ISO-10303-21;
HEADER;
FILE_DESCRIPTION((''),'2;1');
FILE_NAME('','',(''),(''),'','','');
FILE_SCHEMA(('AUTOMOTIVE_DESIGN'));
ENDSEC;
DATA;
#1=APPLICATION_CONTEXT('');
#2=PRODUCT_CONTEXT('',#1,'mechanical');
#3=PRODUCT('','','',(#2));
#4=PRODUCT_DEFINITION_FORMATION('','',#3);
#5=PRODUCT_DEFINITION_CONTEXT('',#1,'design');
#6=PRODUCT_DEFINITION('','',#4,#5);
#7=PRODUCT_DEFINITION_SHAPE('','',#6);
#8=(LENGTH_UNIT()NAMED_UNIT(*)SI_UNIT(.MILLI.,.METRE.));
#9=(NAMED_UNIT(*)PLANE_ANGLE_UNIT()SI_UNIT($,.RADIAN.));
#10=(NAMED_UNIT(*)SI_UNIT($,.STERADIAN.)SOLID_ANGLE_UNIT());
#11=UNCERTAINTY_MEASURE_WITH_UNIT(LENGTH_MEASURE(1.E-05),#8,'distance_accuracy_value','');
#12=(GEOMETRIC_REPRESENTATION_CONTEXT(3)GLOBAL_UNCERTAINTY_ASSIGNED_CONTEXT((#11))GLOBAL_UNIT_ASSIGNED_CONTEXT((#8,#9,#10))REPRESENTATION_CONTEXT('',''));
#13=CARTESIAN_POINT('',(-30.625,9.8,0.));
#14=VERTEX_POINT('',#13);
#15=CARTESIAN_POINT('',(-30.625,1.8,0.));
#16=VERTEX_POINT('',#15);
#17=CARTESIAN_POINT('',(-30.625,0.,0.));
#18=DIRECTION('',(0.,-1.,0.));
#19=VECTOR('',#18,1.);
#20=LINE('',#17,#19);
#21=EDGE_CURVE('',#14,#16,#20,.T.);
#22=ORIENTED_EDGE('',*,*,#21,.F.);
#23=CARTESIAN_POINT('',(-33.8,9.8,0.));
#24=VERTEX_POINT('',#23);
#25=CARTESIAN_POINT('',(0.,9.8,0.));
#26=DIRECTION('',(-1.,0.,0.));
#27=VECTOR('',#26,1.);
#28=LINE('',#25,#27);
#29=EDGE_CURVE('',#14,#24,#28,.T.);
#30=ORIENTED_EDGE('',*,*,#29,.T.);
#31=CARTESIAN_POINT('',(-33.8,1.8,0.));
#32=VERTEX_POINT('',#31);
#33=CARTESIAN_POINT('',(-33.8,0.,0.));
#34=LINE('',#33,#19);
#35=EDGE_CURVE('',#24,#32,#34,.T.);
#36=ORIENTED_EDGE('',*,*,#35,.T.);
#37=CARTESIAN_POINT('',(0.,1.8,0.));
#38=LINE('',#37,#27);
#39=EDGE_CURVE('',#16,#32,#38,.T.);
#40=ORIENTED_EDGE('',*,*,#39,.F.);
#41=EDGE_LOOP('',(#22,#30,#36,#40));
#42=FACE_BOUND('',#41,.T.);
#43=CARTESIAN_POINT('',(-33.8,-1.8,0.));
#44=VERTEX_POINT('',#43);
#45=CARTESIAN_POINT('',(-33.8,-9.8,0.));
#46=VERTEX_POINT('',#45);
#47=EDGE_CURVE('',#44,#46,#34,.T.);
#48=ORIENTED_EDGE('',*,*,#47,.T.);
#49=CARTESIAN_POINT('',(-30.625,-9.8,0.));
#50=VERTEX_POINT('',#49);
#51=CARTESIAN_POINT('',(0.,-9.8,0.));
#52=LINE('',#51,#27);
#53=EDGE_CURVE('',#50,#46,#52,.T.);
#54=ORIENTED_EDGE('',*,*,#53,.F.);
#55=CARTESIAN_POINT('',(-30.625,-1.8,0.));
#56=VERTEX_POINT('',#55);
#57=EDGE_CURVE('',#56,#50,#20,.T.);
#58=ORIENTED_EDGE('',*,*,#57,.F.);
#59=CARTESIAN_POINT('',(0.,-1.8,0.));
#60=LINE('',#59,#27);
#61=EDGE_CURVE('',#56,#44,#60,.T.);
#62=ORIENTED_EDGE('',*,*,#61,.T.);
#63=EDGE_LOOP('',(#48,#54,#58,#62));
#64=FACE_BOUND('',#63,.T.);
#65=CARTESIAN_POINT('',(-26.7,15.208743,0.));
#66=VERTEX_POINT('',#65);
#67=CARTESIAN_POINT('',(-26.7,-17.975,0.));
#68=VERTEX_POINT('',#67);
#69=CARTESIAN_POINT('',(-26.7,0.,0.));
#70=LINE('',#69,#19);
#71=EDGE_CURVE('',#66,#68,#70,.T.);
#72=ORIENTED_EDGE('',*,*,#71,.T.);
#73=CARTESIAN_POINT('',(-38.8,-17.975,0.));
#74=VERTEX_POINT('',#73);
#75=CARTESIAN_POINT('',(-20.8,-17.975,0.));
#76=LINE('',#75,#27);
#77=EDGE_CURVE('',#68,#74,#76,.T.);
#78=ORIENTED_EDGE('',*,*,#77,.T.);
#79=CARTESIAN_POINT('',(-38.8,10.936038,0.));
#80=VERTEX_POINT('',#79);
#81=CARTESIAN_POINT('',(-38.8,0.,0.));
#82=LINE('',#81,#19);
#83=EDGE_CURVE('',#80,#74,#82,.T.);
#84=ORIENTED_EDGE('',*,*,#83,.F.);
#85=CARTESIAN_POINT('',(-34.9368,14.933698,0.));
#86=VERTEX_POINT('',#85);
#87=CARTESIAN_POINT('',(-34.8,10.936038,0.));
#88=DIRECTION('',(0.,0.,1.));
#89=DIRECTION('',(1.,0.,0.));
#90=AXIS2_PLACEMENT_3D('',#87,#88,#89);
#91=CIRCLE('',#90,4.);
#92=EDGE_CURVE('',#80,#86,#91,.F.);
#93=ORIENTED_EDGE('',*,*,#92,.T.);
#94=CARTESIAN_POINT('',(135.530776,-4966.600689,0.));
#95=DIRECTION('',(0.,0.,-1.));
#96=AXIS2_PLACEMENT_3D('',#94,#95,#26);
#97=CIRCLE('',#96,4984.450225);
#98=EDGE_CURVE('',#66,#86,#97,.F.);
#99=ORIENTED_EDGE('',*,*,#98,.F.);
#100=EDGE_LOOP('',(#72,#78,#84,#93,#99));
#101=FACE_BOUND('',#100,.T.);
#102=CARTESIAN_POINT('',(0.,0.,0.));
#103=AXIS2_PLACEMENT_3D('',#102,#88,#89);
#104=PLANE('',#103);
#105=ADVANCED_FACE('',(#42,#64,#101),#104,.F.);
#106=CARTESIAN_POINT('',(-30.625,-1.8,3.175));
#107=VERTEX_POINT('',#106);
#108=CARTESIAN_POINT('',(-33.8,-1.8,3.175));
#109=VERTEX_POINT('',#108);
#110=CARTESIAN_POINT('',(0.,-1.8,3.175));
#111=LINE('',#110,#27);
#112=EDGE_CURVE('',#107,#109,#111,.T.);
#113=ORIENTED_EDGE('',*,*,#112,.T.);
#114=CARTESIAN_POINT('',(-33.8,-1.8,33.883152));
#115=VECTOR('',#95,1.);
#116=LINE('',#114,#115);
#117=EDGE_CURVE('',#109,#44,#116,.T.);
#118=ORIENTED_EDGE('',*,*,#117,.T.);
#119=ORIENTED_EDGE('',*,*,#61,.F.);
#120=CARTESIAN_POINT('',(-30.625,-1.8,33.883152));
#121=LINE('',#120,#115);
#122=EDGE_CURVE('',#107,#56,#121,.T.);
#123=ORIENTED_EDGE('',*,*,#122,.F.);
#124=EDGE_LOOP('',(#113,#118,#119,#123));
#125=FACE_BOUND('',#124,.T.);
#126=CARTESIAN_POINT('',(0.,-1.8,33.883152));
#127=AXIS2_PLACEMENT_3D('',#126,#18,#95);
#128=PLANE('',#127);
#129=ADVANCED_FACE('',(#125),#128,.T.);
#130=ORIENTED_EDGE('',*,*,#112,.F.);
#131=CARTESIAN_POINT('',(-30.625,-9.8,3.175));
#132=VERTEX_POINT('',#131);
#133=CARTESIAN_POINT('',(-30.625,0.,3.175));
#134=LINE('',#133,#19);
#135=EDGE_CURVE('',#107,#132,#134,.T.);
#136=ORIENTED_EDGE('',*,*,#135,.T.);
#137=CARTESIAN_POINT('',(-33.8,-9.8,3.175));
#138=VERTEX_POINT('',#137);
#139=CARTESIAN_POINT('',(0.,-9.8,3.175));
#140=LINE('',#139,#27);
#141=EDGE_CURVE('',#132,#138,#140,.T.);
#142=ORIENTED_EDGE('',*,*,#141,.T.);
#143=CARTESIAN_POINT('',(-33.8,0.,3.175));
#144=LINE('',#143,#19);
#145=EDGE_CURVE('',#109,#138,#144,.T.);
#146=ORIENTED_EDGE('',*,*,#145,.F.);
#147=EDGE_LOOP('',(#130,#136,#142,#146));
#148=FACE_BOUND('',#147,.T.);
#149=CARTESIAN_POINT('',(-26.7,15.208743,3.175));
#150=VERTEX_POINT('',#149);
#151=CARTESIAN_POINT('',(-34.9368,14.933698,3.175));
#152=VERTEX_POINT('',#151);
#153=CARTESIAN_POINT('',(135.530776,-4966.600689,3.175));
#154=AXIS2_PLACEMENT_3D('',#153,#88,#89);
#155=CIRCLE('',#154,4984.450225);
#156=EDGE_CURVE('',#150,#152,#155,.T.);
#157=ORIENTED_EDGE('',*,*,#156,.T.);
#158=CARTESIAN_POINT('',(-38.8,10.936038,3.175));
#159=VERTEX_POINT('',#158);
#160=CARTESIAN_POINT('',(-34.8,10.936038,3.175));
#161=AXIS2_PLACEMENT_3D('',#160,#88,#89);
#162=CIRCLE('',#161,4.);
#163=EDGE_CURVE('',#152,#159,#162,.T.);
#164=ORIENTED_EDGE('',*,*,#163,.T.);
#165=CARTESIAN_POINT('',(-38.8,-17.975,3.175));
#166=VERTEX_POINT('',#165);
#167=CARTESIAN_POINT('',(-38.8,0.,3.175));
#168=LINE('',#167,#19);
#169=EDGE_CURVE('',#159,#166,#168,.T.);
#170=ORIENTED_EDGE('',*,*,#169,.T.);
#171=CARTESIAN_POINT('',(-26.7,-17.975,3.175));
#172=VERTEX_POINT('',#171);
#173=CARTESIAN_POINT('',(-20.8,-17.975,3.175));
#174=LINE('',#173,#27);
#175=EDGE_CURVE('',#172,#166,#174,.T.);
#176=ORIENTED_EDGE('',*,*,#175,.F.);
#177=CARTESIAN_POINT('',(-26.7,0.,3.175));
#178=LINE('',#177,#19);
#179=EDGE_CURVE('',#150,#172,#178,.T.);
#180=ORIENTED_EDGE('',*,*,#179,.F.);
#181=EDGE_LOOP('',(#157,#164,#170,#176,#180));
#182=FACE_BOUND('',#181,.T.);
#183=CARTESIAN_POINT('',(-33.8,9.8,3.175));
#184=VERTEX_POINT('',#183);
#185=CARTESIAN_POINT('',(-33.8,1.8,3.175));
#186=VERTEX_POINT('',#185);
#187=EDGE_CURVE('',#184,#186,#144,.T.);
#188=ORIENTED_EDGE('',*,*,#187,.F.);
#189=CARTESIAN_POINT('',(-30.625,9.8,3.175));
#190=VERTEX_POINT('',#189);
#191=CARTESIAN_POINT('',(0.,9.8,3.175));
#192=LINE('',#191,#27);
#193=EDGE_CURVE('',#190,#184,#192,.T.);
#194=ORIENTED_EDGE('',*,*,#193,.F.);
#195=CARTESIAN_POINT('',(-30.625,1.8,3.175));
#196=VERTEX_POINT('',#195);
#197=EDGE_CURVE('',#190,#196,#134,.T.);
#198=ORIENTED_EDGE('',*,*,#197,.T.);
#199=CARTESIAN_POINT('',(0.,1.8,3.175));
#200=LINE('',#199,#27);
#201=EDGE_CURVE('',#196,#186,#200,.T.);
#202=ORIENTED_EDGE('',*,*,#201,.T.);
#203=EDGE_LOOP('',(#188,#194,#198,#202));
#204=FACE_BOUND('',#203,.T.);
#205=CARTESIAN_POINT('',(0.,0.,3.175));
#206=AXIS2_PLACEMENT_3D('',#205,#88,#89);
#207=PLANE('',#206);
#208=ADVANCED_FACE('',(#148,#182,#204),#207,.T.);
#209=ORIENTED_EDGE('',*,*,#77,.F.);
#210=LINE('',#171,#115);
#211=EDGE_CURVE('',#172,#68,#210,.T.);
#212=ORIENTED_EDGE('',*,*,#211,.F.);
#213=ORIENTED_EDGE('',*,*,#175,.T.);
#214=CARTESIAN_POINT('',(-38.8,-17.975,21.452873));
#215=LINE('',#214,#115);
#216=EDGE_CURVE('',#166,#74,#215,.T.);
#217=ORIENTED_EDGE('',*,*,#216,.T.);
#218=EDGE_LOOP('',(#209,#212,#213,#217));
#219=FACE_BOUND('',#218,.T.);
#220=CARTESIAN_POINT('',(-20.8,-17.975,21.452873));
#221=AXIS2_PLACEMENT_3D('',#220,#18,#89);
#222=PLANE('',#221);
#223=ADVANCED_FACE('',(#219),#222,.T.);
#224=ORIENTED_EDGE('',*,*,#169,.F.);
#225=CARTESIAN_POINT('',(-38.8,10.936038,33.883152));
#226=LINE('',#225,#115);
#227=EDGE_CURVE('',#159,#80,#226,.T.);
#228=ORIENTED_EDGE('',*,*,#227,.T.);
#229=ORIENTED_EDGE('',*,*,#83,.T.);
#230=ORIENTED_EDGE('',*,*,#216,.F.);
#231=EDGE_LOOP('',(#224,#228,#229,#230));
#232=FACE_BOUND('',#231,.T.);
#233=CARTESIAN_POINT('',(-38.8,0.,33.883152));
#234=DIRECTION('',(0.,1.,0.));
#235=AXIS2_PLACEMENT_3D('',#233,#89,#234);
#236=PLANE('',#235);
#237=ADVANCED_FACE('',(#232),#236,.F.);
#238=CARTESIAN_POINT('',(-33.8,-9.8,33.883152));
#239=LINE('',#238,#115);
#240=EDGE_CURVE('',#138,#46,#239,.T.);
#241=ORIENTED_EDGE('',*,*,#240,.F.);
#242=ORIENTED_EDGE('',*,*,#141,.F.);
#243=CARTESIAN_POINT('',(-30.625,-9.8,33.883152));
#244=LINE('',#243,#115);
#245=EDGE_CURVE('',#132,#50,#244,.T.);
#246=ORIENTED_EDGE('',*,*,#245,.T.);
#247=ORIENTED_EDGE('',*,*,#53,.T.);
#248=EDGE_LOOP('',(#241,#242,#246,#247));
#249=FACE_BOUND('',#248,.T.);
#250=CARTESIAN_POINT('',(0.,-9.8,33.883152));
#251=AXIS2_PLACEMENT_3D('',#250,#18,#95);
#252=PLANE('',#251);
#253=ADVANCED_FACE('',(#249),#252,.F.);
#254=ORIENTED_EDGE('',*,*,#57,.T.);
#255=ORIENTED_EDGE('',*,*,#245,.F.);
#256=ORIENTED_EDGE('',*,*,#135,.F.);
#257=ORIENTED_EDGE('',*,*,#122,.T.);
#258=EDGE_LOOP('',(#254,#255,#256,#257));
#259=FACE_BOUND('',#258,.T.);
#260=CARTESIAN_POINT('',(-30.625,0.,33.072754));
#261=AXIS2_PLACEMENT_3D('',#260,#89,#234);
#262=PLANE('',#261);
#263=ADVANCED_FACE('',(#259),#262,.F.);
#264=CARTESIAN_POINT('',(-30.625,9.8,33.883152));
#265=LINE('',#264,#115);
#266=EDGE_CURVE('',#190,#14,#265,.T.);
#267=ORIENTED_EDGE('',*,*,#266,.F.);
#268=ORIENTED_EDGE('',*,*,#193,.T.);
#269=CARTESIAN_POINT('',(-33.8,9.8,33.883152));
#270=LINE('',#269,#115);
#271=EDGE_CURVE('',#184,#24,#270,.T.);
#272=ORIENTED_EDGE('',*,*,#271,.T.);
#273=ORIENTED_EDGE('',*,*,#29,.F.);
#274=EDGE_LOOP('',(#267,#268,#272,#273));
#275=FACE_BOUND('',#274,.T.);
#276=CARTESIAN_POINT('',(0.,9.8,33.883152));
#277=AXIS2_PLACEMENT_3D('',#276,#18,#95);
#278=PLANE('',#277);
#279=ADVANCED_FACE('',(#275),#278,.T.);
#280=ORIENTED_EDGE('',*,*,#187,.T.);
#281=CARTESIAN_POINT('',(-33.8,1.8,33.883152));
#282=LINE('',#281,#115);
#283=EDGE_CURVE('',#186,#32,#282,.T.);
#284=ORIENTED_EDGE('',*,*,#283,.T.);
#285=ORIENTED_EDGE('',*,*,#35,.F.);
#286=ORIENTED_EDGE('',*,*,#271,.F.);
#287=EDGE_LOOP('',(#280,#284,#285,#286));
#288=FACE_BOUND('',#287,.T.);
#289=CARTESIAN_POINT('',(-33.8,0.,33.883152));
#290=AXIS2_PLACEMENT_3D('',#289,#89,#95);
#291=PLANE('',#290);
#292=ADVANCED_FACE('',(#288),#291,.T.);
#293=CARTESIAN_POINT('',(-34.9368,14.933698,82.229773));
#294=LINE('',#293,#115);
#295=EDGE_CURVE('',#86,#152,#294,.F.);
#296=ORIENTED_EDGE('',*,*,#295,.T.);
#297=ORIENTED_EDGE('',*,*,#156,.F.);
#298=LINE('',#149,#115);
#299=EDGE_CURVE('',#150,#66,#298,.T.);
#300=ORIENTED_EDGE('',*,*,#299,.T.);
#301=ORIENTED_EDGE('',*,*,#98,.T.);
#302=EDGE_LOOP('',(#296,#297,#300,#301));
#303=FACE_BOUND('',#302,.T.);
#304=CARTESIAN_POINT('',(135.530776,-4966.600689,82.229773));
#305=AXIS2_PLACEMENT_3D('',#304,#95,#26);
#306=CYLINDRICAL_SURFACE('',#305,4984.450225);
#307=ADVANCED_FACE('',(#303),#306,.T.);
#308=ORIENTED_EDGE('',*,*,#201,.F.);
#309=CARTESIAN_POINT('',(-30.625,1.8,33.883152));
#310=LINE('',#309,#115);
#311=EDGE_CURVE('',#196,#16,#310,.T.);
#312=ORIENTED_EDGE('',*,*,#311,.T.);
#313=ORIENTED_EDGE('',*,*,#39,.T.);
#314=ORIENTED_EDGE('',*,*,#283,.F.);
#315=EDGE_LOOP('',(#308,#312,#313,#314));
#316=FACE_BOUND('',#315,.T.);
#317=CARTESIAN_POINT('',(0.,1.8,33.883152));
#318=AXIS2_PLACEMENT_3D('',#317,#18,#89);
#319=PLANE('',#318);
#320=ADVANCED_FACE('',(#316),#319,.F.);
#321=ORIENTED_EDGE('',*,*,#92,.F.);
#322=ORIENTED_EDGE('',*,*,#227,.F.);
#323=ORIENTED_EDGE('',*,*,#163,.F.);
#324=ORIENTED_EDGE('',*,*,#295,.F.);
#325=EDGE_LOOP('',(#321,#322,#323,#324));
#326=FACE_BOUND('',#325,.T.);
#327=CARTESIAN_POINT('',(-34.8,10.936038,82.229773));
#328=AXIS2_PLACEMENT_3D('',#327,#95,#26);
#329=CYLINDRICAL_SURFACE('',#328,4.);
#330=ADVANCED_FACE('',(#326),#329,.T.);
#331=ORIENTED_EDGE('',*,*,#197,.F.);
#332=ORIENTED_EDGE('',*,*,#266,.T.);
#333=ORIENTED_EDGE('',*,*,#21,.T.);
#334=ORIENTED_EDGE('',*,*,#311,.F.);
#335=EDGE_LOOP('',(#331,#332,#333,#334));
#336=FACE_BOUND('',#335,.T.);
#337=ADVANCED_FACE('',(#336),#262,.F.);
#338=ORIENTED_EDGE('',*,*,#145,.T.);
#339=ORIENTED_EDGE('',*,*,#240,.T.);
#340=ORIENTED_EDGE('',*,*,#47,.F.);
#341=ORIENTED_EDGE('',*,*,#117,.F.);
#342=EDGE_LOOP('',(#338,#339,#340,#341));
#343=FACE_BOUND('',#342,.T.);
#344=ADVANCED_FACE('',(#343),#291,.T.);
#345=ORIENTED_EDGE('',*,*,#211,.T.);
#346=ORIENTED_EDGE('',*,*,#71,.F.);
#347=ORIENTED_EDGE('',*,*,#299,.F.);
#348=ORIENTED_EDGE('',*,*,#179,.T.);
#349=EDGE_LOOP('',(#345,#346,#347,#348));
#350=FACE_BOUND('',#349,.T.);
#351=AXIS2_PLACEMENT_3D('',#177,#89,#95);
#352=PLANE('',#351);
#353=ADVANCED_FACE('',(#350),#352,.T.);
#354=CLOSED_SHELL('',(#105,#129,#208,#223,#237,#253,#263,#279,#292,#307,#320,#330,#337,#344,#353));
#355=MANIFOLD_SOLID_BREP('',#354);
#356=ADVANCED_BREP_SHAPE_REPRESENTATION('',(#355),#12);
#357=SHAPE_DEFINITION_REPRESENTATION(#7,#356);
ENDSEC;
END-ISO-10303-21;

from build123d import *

# Parameters (mm, degrees)
SKETCH1_W                = 6.266
SKETCH1_H                = 19.6
SKETCH1_R                = 1.675
SKETCH1_W_2              = 52.832
SKETCH1_H_2              = 5
BOSS_EXTRUDE2_DEPTH      = 3.175
SKETCH3_W                = 30
SKETCH3_H                = 29.6
BOSS_EXTRUDE3_DEPTH      = 3.175
SKETCH4_R                = 4.85
CUT_EXTRUDE1_DEPTH       = 10
BOSS_EXTRUDE14_DEPTH     = 3.175
CUT_EXTRUDE8_DEPTH       = 10
BOSS_EXTRUDE15_DEPTH     = 3.175
BOSS_EXTRUDE16_DEPTH     = 3.175
BOSS_EXTRUDE17_DEPTH     = 3.175
FILLET5_R                = 4
SKETCH27_W               = 3.175
SKETCH27_H               = 8
CUT_EXTRUDE9_DEPTH       = 10
SKETCH28_W               = 18
SKETCH28_H               = 3.175
BOSS_EXTRUDE18_DEPTH     = 3.175
CUT_EXTRUDE10_DEPTH      = 53.993803893
CUT_EXTRUDE10_DEPTH_BACK = 53.993803893
SKETCH29_W               = 80.680500577
SKETCH29_H               = 41.601075076


with BuildPart() as part:
    # Sketch1 → Boss-Extrude2 (new body)
    # profile 1 of 4: a face of its own
    with BuildSketch(Plane.XY):
        with Locations((-23.283, 0)):
            Rectangle(SKETCH1_W, SKETCH1_H)
        with Locations((-23.95, -4.974)):
            Circle(SKETCH1_R, mode=Mode.SUBTRACT)
        with Locations((-23.95, 4.974)):
            Circle(SKETCH1_R, mode=Mode.SUBTRACT)
    # profile 2 of 4: a face of its own
    with BuildSketch(Plane.XY):
        with Locations((23.283, 0)):
            Rectangle(SKETCH1_W, SKETCH1_H)
        with Locations((23.95, -4.974)):
            Circle(SKETCH1_R, mode=Mode.SUBTRACT)
        with Locations((23.95, 4.974)):
            Circle(SKETCH1_R, mode=Mode.SUBTRACT)
    # profile 3 of 4: a face of its own
    with BuildSketch(Plane.XY):
        with Locations((0, 12.3)):
            Rectangle(SKETCH1_W_2, SKETCH1_H_2)
    # profile 4 of 4: a face of its own
    with BuildSketch(Plane.XY):
        with Locations((0, -12.3)):
            Rectangle(SKETCH1_W_2, SKETCH1_H_2)
    extrude(amount=BOSS_EXTRUDE2_DEPTH)

    # Sketch3 → Boss-Extrude3 (add)
    with BuildSketch(Plane.XY.offset(3.175)):
        with Locations((41.416, 0)):
            Rectangle(SKETCH3_W, SKETCH3_H)
    extrude(amount=-BOSS_EXTRUDE3_DEPTH)

    # Sketch4 → Cut-Extrude1 (cut)
    with BuildSketch(Plane(origin=(0, 0, 0), x_dir=(-1, 0, 0), z_dir=(0, 0, -1))):
        with Locations((-40.576, 7.77)):
            Circle(SKETCH4_R)
    extrude(amount=-CUT_EXTRUDE1_DEPTH, mode=Mode.SUBTRACT)

    # Sketch22 → Boss-Extrude14 (add)
    with BuildSketch(Plane(origin=(0, 0, 0), x_dir=(-1, 0, 0), z_dir=(0, 0, -1))):
        with BuildLine():
            ThreePointArc((-34.680262133, 14.8), (-40.576, 16.945), (-46.471737867, 14.8))
            Line((-46.471737867, 14.8), (-34.680262133, 14.8))
        make_face()
    extrude(amount=-BOSS_EXTRUDE14_DEPTH)

    # Sketch23 → Cut-Extrude8 (cut)
    with BuildSketch(Plane(origin=(0, 0, 0), x_dir=(-1, 0, 0), z_dir=(0, 0, -1))):
        with BuildLine():
            Line((-49.751, -14.8), (-49.751, 7.77))
            ThreePointArc((-49.751, 7.77), (-48.890866804, 11.648609936), (-46.471737867, 14.8))
            Line((-46.471737867, 14.8), (-56.416, 14.8))
            Line((-56.416, 14.8), (-56.416, -14.8))
            Line((-56.416, -14.8), (-49.751, -14.8))
        make_face()
    extrude(amount=-CUT_EXTRUDE8_DEPTH, mode=Mode.SUBTRACT)

    # Sketch24 → Boss-Extrude15 (add)
    with BuildSketch(Plane(origin=(0, 0, 0), x_dir=(-1, 0, 0), z_dir=(0, 0, -1))):
        Polygon((30.625, 14.8), (26.416, 14.8), (26.416, -14.8), (27.751006616, -14.8), (30.625, -14.8), align=None)
    extrude(amount=-BOSS_EXTRUDE15_DEPTH)

    # Sketch25 → Boss-Extrude16 (add)
    with BuildSketch(Plane(origin=(0, 0, 0), x_dir=(-1, 0, 0), z_dir=(0, 0, -1))):
        Polygon((30.625, 14.8), (30.625, 9.8), (33.8, 9.8), (33.8, 1.8), (30.625, 1.8), (30.625, -1.8), (33.8, -1.8), (33.8, -9.8), (30.625, -9.8), (30.625, -14.8), (31.879074074, -14.8), (38.8, -14.8), (38.8, 14.8), align=None)
    extrude(amount=-BOSS_EXTRUDE16_DEPTH)

    # Sketch26 → Boss-Extrude17 (add)
    with BuildSketch(Plane(origin=(0, 0, 0), x_dir=(-1, 0, 0), z_dir=(0, 0, -1))):
        with BuildLine():
            ThreePointArc((-40.225848077, 16.938316019), (-37.275108655, 16.330650754), (-34.680262133, 14.8))
            Line((-34.680262133, 14.8), (38.8, 14.8))
            ThreePointArc((38.8, 14.8), (-0.708684686, 16.025831975), (-40.225848077, 16.938316019))
        make_face()
    extrude(amount=-BOSS_EXTRUDE17_DEPTH)

    # Fillet5
    fillet5_edges = [part.edges().sort_by_distance(p)[0] for p in [
        (-38.8, 14.8, 1.5875),
    ]]
    fillet(fillet5_edges, radius=FILLET5_R)

    # Sketch27 → Cut-Extrude9 (cut)
    with BuildSketch(Plane(origin=(0, 0, 0), x_dir=(-1, 0, 0), z_dir=(0, 0, -1))):
        with Locations((-43.1635, -5.8)):
            Rectangle(SKETCH27_W, SKETCH27_H)
    extrude(amount=-CUT_EXTRUDE9_DEPTH, mode=Mode.SUBTRACT)

    # Sketch28 → Boss-Extrude18 (add)
    with BuildSketch(Plane(origin=(0, 0, 0), x_dir=(-1, 0, 0), z_dir=(0, 0, -1))):
        with Locations((-40.751, -16.3875)):
            Rectangle(SKETCH28_W, SKETCH28_H)
        with Locations((-5.45, -16.3875)):
            Rectangle(SKETCH28_W, SKETCH28_H)
        with Locations((29.8, -16.3875)):
            Rectangle(SKETCH28_W, SKETCH28_H)
    extrude(amount=-BOSS_EXTRUDE18_DEPTH)

    # Sketch29 → Cut-Extrude10 (cut, two sides: drawn at the far end of the back side and taken through both)
    with BuildSketch(Plane(origin=(0, 0, 0), x_dir=(-1, 0, 0), z_dir=(0, 0, -1)).offset(-CUT_EXTRUDE10_DEPTH_BACK)):
        with Locations((-13.640250288, -3.363421895)):
            Rectangle(SKETCH29_W, SKETCH29_H)
    extrude(amount=CUT_EXTRUDE10_DEPTH + CUT_EXTRUDE10_DEPTH_BACK, mode=Mode.SUBTRACT)


solid = part.part
